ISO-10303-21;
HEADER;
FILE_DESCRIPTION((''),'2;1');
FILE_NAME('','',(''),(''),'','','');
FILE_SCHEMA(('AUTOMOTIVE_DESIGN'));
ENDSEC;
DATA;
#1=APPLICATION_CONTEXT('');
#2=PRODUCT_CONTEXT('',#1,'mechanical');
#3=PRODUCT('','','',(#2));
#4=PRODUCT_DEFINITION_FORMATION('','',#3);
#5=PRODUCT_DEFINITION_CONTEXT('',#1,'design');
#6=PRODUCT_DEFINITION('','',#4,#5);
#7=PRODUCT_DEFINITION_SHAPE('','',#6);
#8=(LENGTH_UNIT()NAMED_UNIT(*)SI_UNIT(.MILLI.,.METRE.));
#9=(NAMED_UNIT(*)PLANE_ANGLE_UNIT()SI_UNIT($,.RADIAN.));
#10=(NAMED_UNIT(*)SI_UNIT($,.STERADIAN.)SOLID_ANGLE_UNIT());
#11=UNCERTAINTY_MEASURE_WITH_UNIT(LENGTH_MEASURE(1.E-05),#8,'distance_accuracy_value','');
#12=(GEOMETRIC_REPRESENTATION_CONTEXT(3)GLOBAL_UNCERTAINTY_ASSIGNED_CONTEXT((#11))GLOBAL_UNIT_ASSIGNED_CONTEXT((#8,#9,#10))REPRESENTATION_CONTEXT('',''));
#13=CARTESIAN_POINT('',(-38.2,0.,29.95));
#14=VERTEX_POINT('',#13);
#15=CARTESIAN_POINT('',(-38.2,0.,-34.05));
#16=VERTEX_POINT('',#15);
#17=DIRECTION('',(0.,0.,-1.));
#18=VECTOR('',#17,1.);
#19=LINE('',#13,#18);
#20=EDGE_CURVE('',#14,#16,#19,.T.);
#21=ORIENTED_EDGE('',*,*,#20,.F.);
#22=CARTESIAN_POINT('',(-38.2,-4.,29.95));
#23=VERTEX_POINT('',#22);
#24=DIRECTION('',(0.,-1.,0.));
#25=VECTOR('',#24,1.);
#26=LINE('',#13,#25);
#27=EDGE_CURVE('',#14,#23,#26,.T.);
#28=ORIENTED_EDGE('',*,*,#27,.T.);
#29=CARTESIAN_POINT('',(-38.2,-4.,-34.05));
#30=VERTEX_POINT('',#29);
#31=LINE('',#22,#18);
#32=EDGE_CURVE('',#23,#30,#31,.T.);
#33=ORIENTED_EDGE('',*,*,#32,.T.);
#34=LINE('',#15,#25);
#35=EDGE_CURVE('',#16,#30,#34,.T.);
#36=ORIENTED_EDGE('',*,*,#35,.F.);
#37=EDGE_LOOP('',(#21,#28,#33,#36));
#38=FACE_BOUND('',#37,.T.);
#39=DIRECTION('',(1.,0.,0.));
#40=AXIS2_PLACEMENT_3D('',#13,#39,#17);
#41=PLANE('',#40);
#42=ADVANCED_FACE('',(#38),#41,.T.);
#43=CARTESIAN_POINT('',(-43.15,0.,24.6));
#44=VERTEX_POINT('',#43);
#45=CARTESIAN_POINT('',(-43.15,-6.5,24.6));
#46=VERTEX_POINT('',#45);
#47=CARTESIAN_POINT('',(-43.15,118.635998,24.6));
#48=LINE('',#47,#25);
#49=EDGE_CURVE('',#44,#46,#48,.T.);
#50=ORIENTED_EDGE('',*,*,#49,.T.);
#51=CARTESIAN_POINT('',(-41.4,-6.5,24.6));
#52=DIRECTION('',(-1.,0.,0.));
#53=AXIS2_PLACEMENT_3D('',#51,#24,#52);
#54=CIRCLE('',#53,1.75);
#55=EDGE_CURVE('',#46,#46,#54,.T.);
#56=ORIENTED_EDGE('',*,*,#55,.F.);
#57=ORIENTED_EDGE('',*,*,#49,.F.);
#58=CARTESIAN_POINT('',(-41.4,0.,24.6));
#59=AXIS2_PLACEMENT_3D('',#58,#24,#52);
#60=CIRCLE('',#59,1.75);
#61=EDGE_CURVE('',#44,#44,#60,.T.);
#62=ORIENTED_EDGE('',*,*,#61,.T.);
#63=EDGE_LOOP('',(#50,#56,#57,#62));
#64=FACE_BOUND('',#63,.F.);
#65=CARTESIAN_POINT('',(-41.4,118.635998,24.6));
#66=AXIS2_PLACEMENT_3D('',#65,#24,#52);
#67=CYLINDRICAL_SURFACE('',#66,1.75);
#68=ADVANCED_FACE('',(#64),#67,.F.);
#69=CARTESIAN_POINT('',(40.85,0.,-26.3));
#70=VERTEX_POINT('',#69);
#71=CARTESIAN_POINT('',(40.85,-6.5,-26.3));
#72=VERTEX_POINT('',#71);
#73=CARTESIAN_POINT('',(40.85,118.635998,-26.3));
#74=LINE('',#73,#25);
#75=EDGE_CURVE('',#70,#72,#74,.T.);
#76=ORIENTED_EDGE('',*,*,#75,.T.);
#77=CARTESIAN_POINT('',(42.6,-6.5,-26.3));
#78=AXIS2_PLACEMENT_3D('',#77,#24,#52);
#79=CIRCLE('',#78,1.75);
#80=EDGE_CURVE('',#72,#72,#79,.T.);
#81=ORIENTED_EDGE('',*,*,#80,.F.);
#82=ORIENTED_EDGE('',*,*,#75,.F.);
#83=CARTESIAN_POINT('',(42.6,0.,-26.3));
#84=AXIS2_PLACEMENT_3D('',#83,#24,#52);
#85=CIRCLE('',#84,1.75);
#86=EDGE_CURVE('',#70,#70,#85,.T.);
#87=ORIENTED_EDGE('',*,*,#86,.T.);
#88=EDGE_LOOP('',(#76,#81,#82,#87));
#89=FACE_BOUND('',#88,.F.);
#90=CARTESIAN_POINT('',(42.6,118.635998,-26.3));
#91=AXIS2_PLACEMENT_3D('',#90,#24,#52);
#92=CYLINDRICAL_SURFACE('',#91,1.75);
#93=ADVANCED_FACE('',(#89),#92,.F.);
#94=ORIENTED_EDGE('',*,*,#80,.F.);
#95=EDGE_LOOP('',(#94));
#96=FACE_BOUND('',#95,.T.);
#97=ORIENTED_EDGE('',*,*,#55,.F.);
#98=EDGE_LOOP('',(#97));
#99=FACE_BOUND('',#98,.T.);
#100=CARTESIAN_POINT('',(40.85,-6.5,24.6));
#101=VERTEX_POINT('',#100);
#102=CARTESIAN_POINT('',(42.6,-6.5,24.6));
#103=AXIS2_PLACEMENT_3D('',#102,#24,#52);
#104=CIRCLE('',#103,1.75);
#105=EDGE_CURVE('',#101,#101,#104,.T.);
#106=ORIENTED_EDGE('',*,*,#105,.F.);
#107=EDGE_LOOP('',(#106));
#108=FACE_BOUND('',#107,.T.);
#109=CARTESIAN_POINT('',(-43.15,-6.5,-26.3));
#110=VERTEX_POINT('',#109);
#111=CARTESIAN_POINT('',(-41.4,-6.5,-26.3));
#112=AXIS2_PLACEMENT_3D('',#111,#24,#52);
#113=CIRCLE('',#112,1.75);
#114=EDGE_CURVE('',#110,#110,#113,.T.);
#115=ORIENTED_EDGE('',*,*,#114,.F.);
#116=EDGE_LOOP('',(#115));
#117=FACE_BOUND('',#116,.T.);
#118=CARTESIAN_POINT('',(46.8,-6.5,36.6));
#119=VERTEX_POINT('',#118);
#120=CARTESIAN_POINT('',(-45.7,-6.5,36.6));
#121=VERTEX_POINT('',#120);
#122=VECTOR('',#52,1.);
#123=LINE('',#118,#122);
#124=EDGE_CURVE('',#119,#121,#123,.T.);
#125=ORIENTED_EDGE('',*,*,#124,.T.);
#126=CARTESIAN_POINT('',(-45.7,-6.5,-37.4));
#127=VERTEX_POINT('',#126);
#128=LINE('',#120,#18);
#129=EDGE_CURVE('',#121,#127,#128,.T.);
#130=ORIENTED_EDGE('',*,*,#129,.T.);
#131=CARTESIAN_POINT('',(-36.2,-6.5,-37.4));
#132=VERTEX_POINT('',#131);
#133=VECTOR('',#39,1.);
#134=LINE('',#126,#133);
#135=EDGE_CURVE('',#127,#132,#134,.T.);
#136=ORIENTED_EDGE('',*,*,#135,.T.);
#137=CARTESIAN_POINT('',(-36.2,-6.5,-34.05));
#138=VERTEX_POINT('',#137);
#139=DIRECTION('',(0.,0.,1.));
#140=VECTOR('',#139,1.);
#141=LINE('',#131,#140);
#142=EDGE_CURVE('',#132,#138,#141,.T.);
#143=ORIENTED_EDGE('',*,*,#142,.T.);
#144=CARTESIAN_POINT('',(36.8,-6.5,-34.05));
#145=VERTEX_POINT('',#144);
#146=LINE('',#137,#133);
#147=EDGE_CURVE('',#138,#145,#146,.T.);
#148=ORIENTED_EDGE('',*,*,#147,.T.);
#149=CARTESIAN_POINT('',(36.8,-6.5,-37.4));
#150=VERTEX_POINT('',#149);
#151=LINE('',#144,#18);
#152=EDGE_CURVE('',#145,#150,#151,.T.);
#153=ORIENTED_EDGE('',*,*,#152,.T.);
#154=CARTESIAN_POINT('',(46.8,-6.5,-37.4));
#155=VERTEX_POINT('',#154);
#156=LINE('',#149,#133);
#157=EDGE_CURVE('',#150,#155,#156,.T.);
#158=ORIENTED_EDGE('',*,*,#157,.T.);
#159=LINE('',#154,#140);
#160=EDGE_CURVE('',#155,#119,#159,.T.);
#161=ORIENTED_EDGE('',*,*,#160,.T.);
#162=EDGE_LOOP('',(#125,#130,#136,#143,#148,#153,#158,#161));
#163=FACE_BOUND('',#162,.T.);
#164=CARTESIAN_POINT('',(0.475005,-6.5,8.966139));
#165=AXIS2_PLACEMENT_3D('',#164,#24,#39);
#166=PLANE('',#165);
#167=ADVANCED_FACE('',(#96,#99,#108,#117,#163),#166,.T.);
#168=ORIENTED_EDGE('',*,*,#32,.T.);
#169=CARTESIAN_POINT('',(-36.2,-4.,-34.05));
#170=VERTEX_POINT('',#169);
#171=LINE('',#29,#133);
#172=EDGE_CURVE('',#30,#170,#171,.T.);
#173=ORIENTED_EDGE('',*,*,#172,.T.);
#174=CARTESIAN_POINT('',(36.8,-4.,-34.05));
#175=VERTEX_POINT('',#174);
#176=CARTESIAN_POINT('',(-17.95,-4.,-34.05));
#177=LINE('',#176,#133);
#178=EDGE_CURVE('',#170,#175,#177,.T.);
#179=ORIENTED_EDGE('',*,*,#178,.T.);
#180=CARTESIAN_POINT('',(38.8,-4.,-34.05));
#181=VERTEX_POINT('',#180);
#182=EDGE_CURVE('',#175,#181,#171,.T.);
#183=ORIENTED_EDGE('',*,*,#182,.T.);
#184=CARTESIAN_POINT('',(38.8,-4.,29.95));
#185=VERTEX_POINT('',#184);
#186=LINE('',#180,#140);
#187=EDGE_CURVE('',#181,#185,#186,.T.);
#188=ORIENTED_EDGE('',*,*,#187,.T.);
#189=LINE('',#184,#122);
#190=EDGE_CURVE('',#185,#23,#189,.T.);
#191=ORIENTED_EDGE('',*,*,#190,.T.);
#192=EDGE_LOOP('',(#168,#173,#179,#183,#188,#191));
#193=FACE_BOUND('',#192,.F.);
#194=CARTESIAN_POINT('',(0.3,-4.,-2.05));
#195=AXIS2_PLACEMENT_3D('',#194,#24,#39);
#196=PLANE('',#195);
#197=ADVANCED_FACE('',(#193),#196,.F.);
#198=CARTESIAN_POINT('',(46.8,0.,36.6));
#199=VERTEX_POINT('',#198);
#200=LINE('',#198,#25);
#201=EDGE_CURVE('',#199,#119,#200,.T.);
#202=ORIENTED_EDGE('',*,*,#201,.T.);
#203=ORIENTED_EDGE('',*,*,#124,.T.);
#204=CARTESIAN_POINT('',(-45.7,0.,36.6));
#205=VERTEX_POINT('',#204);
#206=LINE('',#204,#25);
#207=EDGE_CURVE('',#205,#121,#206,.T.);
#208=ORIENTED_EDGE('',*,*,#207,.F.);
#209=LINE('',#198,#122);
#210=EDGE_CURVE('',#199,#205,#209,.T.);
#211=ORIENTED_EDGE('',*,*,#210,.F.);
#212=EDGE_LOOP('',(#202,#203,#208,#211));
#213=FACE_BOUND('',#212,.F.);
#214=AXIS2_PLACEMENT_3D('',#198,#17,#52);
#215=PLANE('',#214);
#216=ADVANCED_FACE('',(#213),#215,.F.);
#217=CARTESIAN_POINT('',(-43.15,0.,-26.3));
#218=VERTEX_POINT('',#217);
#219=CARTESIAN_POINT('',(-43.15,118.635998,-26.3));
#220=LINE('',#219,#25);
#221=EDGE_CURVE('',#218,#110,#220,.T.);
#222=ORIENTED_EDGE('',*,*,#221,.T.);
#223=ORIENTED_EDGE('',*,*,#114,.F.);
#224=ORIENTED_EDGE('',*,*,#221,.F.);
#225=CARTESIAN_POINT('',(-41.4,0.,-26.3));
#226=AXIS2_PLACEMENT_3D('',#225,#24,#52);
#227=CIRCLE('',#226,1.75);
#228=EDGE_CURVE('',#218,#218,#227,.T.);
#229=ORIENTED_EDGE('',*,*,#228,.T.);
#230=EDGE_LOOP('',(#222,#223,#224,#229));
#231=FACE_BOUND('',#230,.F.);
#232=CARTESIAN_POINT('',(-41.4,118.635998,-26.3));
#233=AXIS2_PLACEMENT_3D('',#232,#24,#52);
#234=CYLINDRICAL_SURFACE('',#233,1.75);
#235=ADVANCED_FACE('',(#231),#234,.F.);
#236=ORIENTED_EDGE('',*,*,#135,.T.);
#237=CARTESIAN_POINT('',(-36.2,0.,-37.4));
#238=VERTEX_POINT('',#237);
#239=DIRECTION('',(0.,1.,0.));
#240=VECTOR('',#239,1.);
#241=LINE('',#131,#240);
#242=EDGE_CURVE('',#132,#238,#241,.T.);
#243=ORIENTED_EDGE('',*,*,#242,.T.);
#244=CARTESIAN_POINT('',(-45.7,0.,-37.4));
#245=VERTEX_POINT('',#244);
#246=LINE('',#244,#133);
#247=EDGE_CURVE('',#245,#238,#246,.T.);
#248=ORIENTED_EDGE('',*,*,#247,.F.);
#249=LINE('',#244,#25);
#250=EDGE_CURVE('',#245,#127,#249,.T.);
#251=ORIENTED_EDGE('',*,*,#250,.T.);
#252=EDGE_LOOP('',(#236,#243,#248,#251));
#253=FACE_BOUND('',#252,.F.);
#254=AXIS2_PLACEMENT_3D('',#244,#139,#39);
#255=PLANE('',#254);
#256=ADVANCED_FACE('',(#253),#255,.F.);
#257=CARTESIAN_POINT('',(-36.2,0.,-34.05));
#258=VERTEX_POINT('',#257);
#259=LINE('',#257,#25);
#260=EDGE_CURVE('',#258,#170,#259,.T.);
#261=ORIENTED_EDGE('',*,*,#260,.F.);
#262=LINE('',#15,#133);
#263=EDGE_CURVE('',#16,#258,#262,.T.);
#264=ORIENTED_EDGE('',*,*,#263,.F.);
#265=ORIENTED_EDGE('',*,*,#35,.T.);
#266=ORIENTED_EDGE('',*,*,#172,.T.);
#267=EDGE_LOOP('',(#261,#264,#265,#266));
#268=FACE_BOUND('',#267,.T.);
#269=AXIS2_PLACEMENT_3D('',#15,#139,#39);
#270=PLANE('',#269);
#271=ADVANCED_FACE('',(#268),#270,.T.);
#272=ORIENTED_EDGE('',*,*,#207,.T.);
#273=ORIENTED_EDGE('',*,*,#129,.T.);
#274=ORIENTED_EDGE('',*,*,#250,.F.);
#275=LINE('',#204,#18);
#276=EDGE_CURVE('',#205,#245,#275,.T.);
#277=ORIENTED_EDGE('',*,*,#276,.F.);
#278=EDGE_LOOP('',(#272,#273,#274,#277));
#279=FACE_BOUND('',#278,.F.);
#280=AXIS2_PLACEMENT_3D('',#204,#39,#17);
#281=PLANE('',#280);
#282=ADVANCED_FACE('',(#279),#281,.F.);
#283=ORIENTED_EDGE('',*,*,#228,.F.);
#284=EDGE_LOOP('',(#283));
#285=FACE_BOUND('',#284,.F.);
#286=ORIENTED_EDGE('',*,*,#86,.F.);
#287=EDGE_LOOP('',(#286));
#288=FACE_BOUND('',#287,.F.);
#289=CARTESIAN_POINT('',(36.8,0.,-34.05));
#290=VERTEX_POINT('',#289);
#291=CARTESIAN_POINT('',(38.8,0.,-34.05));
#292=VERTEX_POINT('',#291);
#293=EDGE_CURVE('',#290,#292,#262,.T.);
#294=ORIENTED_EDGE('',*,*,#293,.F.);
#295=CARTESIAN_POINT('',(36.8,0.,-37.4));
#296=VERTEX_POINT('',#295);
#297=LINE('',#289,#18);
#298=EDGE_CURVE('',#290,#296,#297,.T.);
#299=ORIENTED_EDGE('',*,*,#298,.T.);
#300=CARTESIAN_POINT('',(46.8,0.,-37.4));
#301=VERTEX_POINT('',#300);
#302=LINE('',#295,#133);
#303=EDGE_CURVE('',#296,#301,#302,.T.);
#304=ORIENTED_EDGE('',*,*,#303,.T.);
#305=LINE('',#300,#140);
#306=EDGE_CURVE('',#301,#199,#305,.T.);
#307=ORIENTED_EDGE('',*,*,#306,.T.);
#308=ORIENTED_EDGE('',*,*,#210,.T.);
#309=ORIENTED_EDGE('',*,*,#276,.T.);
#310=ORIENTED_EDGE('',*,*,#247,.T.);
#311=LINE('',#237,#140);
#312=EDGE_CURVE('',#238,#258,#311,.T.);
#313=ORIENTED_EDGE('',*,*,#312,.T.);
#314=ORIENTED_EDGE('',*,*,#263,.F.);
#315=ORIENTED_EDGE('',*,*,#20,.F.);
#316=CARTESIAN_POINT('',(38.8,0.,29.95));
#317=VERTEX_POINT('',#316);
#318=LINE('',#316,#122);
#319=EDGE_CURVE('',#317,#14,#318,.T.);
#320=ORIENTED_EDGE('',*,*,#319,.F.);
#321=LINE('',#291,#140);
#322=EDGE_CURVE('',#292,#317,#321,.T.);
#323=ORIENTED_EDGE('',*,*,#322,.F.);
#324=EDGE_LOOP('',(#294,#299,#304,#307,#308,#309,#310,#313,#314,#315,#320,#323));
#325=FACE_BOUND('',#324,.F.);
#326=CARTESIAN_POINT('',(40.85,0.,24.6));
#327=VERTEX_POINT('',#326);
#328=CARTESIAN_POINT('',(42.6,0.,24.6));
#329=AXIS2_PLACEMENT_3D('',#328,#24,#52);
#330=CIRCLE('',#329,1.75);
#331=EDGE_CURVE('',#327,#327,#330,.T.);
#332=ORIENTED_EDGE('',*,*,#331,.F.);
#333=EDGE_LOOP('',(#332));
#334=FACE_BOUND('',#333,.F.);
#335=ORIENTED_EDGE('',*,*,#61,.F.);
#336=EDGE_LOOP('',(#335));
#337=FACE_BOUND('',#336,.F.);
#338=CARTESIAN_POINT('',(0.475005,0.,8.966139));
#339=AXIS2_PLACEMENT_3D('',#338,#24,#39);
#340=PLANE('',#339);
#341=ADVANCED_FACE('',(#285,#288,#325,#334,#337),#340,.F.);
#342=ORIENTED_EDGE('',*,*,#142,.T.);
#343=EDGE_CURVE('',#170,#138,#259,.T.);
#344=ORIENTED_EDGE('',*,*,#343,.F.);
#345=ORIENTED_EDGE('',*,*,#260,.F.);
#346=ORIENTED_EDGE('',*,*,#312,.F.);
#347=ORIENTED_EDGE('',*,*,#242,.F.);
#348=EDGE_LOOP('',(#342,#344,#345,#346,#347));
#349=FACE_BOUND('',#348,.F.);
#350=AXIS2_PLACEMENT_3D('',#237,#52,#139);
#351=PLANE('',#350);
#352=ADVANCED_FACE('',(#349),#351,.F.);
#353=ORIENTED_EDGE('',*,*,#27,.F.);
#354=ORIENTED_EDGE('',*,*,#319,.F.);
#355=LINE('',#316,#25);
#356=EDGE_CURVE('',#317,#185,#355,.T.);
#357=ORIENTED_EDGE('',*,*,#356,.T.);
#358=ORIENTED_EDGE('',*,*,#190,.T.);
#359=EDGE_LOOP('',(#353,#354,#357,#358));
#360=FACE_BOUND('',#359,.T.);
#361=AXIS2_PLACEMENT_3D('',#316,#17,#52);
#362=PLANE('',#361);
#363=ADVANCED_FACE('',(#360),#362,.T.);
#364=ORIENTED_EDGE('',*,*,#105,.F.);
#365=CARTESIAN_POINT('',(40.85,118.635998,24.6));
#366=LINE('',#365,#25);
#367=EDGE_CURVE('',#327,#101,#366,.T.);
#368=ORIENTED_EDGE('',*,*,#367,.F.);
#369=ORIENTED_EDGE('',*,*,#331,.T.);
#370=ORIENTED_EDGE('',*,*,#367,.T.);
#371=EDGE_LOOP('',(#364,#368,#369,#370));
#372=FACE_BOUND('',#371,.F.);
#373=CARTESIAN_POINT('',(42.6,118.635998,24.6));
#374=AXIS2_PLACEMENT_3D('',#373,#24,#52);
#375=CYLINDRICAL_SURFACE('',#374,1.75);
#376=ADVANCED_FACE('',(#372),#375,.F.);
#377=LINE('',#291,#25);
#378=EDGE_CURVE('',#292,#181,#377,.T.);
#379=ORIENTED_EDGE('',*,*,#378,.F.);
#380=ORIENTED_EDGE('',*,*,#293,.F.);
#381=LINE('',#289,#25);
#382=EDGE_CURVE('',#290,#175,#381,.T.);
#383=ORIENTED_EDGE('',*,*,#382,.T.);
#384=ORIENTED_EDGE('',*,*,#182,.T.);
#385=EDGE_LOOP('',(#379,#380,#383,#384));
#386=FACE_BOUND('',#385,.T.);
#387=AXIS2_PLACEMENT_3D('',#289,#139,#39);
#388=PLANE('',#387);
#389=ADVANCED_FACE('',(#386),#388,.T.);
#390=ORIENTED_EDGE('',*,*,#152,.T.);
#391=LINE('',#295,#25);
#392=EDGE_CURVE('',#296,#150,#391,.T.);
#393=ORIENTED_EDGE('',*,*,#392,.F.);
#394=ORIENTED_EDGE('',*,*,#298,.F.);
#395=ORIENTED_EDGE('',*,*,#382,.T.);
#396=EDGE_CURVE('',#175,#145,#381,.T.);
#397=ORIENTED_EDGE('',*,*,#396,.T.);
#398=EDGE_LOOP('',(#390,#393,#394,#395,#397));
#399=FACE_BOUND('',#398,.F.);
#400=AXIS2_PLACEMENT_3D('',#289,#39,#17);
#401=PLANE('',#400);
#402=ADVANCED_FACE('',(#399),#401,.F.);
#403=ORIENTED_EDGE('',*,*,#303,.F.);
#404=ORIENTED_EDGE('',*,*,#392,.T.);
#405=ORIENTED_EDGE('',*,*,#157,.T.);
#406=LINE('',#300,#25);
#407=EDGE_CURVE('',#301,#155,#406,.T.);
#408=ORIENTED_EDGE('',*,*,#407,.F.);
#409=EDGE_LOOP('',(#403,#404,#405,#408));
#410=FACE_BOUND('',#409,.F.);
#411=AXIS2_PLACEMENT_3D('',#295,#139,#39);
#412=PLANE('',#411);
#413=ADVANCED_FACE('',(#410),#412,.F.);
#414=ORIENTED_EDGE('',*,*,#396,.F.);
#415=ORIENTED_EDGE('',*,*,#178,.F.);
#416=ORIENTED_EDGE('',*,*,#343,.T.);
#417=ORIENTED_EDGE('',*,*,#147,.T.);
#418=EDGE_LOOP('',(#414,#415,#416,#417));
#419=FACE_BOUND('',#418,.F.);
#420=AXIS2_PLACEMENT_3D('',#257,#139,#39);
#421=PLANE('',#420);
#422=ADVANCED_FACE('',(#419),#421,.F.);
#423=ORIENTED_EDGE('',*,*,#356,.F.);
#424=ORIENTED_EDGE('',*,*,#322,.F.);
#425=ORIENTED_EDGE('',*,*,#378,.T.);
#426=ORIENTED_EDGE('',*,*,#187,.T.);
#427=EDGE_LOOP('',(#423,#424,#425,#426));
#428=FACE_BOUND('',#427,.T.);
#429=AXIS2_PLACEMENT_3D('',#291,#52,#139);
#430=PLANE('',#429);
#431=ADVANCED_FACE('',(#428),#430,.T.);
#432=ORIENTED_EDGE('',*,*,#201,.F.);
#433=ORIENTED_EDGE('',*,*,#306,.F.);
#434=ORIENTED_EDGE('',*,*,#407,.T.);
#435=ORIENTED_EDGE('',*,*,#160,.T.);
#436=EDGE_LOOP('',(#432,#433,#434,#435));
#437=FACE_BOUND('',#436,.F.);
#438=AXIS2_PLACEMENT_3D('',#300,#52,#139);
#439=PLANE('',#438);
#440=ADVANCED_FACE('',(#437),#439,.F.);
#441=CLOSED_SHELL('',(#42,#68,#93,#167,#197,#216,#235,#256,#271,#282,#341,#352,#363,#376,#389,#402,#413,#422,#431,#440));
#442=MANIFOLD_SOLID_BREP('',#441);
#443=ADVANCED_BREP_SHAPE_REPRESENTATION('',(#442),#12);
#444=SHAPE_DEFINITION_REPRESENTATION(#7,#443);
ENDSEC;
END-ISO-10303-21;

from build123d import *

# Parameters (mm, degrees)
F0_W     = 71.45
F0_H     = 53.85
F1_DEPTH = 6.5
F0_W_2   = 73
F0_H_2   = 3.35
F2_DEPTH = 4
F3_D     = 3.5


with BuildPart() as f1:
    # F0 (on Front) → F1 (new body)
    with BuildSketch(Plane.XZ):
        Polygon((-38.2, -34.05), (-38.2, 29.95), (38.8, 29.95), (38.8, -34.05), (36.8, -34.05), (36.8, -37.4), (46.8, -37.4), (46.8, 36.6), (-45.7, 36.6), (-45.7, -37.4), (-36.2, -37.4), (-36.2, -34.05), align=None)
        Polygon((38.8, 29.95), (-38.2, 29.95), (-38.2, -34.05), (-36.2, -34.05), (36.8, -34.05), (38.8, -34.05), align=None)
        with Locations((-0.025, -0.025)):
            Rectangle(F0_W, F0_H, mode=Mode.SUBTRACT)
        with Locations((-0.025, -0.025)):
            Rectangle(F0_W, F0_H)
    extrude(amount=F1_DEPTH)

    # F0 (on Front) → F2 (cut)
    with BuildSketch(Plane.XZ):
        Polygon((38.8, 29.95), (-38.2, 29.95), (-38.2, -34.05), (-36.2, -34.05), (36.8, -34.05), (38.8, -34.05), align=None)
        with Locations((-0.025, -0.025)):
            Rectangle(F0_W, F0_H, mode=Mode.SUBTRACT)
        with Locations((-0.025, -0.025)):
            Rectangle(F0_W, F0_H)
        with Locations((0.3, -35.725)):
            Rectangle(F0_W_2, F0_H_2)
    extrude(amount=F2_DEPTH, mode=Mode.SUBTRACT)

    # F3 (through all)
    with Locations(Plane(origin=(0, 0, 0), x_dir=(1, 0, 0), z_dir=(0, 1, 0))):
        with Locations((-41.4, -24.6), (42.6, -24.6), (42.6, 26.3), (-41.4, 26.3)):
            Hole(F3_D / 2)


solid = f1.part
